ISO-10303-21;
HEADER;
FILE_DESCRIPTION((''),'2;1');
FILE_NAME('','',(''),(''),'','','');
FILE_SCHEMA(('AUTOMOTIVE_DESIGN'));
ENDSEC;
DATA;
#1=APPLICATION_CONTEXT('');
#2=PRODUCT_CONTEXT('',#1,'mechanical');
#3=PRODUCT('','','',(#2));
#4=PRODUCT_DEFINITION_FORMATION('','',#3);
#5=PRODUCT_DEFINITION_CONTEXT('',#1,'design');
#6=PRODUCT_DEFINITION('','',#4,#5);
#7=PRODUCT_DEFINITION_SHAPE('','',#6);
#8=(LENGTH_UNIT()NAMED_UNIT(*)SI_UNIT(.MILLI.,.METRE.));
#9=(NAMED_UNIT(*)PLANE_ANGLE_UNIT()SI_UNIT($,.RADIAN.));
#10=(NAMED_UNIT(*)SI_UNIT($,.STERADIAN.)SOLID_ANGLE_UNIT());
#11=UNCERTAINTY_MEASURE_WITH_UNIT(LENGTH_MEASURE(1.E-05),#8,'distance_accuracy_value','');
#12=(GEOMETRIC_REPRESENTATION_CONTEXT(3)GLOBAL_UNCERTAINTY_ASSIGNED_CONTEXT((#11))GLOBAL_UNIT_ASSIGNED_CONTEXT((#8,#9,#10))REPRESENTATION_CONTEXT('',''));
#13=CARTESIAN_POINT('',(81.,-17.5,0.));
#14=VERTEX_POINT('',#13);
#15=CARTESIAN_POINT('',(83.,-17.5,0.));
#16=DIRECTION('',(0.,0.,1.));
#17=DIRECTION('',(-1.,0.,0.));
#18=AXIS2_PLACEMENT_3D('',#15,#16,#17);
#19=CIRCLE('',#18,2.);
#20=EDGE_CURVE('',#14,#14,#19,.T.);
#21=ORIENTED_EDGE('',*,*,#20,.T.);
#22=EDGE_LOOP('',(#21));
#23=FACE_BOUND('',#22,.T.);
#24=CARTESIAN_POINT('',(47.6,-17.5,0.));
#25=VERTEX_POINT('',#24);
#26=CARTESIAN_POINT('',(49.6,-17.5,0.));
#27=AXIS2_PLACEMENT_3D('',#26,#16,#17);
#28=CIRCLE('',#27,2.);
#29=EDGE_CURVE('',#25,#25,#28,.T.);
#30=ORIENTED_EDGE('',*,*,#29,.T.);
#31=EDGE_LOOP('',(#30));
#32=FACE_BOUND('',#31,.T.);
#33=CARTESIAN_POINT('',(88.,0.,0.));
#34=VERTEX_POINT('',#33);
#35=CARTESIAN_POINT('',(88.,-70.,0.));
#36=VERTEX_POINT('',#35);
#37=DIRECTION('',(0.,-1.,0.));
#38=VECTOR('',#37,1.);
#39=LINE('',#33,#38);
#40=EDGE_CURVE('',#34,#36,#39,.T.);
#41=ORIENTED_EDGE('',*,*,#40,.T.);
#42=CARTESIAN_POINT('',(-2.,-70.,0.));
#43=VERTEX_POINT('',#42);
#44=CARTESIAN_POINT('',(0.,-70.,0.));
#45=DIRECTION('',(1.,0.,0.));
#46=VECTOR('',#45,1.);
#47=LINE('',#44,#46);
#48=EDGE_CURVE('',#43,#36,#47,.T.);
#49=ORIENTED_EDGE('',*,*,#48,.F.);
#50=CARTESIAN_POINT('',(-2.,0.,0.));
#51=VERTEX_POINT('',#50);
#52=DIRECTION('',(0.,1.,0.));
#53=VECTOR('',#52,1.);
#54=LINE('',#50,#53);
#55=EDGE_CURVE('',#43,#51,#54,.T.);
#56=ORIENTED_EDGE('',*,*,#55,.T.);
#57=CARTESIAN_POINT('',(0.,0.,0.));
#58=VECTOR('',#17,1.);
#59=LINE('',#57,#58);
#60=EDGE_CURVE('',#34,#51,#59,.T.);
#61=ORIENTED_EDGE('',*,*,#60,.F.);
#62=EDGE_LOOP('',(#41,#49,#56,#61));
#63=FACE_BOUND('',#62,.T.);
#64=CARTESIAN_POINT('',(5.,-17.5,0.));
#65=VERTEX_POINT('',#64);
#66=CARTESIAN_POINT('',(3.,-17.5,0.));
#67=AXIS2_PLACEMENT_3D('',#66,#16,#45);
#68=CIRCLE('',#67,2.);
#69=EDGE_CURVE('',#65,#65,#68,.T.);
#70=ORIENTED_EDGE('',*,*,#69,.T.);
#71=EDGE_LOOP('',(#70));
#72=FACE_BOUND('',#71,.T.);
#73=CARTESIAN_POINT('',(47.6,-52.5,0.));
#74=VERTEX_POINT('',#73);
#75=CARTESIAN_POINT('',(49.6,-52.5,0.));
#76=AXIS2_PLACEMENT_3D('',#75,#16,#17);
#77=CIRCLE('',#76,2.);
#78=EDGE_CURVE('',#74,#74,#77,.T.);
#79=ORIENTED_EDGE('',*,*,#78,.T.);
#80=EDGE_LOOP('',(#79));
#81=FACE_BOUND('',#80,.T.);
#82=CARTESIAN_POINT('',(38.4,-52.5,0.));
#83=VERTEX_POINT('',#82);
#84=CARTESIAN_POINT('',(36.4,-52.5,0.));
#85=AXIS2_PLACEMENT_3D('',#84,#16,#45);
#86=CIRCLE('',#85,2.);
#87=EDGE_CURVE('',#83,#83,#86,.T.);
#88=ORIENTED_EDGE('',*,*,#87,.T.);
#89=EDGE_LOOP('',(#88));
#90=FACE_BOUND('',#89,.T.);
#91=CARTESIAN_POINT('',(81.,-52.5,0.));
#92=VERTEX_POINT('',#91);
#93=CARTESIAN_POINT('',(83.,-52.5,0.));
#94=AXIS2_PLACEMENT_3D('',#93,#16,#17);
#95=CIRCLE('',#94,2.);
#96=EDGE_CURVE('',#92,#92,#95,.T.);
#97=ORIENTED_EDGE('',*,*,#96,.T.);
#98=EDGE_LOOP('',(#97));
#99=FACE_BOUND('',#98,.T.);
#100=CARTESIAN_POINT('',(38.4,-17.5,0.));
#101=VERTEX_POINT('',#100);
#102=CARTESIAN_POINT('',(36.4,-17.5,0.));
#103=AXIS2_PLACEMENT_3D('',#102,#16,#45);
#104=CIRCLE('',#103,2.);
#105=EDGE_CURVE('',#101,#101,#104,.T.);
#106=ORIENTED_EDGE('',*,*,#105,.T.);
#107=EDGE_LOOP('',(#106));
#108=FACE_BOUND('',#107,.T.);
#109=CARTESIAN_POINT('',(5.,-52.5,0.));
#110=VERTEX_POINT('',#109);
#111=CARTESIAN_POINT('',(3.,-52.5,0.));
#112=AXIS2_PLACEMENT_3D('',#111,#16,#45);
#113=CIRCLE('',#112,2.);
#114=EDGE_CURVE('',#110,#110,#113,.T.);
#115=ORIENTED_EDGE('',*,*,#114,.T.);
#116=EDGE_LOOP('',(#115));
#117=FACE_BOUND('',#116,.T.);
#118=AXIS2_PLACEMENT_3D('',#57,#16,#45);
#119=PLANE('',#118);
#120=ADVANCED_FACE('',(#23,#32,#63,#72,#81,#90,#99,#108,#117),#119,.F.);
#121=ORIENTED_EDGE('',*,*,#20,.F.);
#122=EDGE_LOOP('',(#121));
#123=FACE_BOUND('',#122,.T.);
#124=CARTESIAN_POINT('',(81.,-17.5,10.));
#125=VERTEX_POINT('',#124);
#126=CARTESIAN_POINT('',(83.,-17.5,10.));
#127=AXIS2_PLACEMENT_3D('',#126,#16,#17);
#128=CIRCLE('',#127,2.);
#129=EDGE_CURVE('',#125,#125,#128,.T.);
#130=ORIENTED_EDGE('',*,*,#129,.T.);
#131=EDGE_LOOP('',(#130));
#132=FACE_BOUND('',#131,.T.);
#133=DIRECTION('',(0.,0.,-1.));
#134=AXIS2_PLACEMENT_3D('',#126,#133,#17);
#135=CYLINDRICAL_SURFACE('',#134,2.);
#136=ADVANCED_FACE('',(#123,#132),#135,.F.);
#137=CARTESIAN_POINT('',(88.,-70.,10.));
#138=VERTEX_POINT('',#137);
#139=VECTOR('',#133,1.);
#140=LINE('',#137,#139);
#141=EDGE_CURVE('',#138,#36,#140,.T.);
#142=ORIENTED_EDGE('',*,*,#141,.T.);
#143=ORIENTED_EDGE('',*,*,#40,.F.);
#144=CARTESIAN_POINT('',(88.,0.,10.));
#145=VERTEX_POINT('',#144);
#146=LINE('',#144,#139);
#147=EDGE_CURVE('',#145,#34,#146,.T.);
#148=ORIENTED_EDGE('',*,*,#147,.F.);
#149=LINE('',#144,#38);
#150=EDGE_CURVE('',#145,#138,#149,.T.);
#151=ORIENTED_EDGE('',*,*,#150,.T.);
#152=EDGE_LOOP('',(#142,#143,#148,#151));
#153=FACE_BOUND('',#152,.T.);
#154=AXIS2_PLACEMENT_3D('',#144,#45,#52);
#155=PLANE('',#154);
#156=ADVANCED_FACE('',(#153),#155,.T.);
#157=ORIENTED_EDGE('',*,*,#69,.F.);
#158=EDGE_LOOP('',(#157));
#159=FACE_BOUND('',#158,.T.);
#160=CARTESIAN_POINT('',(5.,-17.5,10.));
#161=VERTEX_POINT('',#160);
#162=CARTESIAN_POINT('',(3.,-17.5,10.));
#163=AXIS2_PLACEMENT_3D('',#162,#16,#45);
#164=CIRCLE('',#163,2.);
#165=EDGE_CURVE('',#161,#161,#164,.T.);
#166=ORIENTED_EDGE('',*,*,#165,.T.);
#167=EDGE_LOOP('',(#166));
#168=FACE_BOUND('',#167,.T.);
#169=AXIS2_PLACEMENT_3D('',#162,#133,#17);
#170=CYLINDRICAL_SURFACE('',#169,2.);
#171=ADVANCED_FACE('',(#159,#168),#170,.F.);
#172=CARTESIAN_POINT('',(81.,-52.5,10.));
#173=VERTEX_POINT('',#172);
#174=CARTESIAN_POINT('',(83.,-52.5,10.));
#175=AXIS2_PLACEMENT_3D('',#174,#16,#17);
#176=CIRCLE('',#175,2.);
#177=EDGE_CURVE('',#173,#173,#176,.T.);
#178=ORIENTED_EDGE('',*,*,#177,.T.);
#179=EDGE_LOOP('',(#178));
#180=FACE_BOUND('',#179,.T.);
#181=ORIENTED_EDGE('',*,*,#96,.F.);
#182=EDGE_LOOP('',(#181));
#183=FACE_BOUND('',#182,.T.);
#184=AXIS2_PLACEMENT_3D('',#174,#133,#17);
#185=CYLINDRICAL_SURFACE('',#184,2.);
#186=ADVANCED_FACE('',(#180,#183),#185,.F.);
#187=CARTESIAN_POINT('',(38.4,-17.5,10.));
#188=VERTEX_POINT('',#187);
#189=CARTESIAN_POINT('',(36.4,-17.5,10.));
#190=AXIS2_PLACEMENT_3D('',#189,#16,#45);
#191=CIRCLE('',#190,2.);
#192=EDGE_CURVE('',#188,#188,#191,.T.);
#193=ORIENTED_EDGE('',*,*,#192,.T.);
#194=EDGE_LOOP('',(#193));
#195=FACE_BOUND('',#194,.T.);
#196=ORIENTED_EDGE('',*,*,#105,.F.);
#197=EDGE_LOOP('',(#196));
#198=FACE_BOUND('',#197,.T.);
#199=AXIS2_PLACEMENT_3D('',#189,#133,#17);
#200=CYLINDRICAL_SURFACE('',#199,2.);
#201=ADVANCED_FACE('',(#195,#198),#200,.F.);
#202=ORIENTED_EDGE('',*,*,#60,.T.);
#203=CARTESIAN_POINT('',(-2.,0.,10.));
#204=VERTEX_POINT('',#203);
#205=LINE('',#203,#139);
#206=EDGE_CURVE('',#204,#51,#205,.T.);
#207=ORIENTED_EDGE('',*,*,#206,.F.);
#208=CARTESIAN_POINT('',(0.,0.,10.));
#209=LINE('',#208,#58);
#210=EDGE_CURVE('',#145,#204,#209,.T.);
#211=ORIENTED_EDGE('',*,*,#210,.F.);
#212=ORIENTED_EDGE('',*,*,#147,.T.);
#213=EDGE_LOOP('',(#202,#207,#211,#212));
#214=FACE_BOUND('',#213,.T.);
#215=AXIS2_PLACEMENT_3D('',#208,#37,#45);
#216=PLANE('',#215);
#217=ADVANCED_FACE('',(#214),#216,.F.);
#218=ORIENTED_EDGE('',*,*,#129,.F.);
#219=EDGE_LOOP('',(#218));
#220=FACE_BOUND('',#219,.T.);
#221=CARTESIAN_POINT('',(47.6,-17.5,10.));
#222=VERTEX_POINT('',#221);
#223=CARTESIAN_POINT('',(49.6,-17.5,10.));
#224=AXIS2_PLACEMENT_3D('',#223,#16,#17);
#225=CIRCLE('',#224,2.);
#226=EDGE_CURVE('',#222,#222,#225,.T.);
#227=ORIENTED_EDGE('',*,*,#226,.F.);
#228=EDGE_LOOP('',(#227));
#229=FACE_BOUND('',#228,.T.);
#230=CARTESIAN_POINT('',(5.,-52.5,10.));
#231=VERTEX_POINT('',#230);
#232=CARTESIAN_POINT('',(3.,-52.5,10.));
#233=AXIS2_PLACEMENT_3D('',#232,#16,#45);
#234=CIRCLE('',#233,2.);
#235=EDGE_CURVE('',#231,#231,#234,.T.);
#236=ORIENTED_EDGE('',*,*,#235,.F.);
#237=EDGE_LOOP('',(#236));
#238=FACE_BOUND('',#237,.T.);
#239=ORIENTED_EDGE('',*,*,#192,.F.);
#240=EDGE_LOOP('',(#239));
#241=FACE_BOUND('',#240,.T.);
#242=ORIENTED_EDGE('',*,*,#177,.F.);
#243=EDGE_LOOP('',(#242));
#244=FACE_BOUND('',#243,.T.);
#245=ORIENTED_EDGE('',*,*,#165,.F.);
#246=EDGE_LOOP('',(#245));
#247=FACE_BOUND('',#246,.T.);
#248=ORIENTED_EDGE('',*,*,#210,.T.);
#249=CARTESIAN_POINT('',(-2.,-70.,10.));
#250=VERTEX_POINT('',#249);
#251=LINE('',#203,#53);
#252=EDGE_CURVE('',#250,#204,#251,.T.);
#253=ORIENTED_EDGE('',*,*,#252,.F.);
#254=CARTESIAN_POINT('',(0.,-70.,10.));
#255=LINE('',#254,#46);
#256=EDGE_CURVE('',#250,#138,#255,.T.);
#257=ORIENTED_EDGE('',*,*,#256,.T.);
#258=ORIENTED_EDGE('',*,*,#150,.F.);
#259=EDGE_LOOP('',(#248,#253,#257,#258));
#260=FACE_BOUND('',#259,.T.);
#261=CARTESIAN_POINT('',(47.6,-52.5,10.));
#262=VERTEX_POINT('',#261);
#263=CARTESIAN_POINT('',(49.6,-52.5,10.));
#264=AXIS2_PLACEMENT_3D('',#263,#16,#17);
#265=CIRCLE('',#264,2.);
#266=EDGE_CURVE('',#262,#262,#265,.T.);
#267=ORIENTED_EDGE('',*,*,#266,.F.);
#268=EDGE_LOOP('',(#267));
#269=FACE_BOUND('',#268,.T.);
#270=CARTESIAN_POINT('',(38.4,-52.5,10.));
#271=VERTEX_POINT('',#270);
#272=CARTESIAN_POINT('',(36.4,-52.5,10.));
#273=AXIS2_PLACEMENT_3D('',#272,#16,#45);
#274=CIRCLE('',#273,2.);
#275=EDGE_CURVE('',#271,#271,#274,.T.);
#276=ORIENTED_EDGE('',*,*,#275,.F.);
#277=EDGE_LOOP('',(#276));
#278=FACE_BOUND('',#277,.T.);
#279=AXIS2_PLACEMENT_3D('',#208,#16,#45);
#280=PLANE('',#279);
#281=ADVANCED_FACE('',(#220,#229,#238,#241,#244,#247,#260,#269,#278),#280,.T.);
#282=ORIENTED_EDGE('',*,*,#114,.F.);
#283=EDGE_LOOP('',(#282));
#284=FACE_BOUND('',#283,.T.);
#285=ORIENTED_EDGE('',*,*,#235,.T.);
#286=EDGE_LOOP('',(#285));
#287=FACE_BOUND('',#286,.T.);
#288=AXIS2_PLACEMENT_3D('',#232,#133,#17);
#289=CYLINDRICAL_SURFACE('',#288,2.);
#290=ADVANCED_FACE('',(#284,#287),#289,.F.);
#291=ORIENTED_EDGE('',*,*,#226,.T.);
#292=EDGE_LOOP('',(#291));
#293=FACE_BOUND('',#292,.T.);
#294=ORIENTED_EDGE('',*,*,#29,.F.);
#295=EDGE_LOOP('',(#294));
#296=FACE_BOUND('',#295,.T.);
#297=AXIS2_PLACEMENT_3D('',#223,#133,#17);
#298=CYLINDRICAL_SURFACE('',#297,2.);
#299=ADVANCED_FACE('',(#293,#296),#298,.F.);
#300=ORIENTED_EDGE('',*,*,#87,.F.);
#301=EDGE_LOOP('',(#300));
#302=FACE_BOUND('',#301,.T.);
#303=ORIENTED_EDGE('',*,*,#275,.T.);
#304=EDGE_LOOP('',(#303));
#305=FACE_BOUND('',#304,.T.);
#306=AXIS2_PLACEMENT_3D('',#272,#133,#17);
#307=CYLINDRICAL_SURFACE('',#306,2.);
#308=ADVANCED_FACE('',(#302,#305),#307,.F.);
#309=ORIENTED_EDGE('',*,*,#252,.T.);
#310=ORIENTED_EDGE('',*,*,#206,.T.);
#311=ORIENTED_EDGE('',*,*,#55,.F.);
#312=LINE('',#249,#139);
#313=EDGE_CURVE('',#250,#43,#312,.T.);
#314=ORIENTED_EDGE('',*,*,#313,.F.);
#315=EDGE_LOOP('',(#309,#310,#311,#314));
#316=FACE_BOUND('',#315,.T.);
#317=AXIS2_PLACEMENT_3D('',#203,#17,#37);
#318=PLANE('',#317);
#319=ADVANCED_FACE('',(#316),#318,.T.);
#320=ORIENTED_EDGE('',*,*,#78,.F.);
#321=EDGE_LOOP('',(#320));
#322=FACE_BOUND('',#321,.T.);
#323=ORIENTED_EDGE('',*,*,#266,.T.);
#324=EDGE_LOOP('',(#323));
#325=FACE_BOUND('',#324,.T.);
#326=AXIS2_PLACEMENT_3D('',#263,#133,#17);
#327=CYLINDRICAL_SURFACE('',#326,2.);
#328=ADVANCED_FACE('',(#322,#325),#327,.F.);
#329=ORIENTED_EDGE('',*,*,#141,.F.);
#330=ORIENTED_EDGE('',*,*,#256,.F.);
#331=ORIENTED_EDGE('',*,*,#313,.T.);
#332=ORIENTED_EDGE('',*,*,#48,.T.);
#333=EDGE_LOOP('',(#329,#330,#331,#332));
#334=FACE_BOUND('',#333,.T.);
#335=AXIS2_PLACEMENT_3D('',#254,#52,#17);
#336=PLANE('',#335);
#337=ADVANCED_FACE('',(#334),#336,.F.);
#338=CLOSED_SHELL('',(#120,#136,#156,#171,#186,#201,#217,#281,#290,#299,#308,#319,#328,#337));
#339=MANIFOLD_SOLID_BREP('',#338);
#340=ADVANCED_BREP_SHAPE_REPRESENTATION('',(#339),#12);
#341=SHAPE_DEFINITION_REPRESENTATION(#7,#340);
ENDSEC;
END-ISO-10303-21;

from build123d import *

# Parameters (mm, degrees)
ESQUISSE1_W         = 86
ESQUISSE1_H         = 70
ESQUISSE1_R         = 2
BOSS_EXTRU_1_DEPTH  = 10
SKETCH1_W           = 2
SKETCH1_H           = 70
BOSS_EXTRUDE2_DEPTH = 10


with BuildPart() as part:
    # Esquisse1 → Boss.-Extru.1 (new body)
    with BuildSketch(Plane.XY):
        with Locations((43, -35)):
            Rectangle(ESQUISSE1_W, ESQUISSE1_H)
        with Locations((3, -17.5)):
            Circle(ESQUISSE1_R, mode=Mode.SUBTRACT)
        with Locations((3, -52.5)):
            Circle(ESQUISSE1_R, mode=Mode.SUBTRACT)
        with Locations((36.4, -52.5)):
            Circle(ESQUISSE1_R, mode=Mode.SUBTRACT)
        with Locations((36.4, -17.5)):
            Circle(ESQUISSE1_R, mode=Mode.SUBTRACT)
        with Locations(Location((49.6, -52.5, 0), (0, 0, 180))):
            Circle(ESQUISSE1_R, mode=Mode.SUBTRACT)
        with Locations(Location((83, -52.5, 0), (0, 0, 180))):
            Circle(ESQUISSE1_R, mode=Mode.SUBTRACT)
        with Locations(Location((83, -17.5, 0), (0, 0, 180))):
            Circle(ESQUISSE1_R, mode=Mode.SUBTRACT)
        with Locations(Location((49.6, -17.5, 0), (0, 0, 180))):
            Circle(ESQUISSE1_R, mode=Mode.SUBTRACT)
    extrude(amount=BOSS_EXTRU_1_DEPTH)

    # Sketch1 → Boss-Extrude2 (add)
    with BuildSketch(Plane(origin=(0, 0, 0), x_dir=(-1, 0, 0), z_dir=(0, 0, -1))):
        with Locations((1, -35)):
            Rectangle(SKETCH1_W, SKETCH1_H)
        with Locations((-87, -35)):
            Rectangle(SKETCH1_W, SKETCH1_H)
    extrude(amount=-BOSS_EXTRUDE2_DEPTH)


solid = part.part
